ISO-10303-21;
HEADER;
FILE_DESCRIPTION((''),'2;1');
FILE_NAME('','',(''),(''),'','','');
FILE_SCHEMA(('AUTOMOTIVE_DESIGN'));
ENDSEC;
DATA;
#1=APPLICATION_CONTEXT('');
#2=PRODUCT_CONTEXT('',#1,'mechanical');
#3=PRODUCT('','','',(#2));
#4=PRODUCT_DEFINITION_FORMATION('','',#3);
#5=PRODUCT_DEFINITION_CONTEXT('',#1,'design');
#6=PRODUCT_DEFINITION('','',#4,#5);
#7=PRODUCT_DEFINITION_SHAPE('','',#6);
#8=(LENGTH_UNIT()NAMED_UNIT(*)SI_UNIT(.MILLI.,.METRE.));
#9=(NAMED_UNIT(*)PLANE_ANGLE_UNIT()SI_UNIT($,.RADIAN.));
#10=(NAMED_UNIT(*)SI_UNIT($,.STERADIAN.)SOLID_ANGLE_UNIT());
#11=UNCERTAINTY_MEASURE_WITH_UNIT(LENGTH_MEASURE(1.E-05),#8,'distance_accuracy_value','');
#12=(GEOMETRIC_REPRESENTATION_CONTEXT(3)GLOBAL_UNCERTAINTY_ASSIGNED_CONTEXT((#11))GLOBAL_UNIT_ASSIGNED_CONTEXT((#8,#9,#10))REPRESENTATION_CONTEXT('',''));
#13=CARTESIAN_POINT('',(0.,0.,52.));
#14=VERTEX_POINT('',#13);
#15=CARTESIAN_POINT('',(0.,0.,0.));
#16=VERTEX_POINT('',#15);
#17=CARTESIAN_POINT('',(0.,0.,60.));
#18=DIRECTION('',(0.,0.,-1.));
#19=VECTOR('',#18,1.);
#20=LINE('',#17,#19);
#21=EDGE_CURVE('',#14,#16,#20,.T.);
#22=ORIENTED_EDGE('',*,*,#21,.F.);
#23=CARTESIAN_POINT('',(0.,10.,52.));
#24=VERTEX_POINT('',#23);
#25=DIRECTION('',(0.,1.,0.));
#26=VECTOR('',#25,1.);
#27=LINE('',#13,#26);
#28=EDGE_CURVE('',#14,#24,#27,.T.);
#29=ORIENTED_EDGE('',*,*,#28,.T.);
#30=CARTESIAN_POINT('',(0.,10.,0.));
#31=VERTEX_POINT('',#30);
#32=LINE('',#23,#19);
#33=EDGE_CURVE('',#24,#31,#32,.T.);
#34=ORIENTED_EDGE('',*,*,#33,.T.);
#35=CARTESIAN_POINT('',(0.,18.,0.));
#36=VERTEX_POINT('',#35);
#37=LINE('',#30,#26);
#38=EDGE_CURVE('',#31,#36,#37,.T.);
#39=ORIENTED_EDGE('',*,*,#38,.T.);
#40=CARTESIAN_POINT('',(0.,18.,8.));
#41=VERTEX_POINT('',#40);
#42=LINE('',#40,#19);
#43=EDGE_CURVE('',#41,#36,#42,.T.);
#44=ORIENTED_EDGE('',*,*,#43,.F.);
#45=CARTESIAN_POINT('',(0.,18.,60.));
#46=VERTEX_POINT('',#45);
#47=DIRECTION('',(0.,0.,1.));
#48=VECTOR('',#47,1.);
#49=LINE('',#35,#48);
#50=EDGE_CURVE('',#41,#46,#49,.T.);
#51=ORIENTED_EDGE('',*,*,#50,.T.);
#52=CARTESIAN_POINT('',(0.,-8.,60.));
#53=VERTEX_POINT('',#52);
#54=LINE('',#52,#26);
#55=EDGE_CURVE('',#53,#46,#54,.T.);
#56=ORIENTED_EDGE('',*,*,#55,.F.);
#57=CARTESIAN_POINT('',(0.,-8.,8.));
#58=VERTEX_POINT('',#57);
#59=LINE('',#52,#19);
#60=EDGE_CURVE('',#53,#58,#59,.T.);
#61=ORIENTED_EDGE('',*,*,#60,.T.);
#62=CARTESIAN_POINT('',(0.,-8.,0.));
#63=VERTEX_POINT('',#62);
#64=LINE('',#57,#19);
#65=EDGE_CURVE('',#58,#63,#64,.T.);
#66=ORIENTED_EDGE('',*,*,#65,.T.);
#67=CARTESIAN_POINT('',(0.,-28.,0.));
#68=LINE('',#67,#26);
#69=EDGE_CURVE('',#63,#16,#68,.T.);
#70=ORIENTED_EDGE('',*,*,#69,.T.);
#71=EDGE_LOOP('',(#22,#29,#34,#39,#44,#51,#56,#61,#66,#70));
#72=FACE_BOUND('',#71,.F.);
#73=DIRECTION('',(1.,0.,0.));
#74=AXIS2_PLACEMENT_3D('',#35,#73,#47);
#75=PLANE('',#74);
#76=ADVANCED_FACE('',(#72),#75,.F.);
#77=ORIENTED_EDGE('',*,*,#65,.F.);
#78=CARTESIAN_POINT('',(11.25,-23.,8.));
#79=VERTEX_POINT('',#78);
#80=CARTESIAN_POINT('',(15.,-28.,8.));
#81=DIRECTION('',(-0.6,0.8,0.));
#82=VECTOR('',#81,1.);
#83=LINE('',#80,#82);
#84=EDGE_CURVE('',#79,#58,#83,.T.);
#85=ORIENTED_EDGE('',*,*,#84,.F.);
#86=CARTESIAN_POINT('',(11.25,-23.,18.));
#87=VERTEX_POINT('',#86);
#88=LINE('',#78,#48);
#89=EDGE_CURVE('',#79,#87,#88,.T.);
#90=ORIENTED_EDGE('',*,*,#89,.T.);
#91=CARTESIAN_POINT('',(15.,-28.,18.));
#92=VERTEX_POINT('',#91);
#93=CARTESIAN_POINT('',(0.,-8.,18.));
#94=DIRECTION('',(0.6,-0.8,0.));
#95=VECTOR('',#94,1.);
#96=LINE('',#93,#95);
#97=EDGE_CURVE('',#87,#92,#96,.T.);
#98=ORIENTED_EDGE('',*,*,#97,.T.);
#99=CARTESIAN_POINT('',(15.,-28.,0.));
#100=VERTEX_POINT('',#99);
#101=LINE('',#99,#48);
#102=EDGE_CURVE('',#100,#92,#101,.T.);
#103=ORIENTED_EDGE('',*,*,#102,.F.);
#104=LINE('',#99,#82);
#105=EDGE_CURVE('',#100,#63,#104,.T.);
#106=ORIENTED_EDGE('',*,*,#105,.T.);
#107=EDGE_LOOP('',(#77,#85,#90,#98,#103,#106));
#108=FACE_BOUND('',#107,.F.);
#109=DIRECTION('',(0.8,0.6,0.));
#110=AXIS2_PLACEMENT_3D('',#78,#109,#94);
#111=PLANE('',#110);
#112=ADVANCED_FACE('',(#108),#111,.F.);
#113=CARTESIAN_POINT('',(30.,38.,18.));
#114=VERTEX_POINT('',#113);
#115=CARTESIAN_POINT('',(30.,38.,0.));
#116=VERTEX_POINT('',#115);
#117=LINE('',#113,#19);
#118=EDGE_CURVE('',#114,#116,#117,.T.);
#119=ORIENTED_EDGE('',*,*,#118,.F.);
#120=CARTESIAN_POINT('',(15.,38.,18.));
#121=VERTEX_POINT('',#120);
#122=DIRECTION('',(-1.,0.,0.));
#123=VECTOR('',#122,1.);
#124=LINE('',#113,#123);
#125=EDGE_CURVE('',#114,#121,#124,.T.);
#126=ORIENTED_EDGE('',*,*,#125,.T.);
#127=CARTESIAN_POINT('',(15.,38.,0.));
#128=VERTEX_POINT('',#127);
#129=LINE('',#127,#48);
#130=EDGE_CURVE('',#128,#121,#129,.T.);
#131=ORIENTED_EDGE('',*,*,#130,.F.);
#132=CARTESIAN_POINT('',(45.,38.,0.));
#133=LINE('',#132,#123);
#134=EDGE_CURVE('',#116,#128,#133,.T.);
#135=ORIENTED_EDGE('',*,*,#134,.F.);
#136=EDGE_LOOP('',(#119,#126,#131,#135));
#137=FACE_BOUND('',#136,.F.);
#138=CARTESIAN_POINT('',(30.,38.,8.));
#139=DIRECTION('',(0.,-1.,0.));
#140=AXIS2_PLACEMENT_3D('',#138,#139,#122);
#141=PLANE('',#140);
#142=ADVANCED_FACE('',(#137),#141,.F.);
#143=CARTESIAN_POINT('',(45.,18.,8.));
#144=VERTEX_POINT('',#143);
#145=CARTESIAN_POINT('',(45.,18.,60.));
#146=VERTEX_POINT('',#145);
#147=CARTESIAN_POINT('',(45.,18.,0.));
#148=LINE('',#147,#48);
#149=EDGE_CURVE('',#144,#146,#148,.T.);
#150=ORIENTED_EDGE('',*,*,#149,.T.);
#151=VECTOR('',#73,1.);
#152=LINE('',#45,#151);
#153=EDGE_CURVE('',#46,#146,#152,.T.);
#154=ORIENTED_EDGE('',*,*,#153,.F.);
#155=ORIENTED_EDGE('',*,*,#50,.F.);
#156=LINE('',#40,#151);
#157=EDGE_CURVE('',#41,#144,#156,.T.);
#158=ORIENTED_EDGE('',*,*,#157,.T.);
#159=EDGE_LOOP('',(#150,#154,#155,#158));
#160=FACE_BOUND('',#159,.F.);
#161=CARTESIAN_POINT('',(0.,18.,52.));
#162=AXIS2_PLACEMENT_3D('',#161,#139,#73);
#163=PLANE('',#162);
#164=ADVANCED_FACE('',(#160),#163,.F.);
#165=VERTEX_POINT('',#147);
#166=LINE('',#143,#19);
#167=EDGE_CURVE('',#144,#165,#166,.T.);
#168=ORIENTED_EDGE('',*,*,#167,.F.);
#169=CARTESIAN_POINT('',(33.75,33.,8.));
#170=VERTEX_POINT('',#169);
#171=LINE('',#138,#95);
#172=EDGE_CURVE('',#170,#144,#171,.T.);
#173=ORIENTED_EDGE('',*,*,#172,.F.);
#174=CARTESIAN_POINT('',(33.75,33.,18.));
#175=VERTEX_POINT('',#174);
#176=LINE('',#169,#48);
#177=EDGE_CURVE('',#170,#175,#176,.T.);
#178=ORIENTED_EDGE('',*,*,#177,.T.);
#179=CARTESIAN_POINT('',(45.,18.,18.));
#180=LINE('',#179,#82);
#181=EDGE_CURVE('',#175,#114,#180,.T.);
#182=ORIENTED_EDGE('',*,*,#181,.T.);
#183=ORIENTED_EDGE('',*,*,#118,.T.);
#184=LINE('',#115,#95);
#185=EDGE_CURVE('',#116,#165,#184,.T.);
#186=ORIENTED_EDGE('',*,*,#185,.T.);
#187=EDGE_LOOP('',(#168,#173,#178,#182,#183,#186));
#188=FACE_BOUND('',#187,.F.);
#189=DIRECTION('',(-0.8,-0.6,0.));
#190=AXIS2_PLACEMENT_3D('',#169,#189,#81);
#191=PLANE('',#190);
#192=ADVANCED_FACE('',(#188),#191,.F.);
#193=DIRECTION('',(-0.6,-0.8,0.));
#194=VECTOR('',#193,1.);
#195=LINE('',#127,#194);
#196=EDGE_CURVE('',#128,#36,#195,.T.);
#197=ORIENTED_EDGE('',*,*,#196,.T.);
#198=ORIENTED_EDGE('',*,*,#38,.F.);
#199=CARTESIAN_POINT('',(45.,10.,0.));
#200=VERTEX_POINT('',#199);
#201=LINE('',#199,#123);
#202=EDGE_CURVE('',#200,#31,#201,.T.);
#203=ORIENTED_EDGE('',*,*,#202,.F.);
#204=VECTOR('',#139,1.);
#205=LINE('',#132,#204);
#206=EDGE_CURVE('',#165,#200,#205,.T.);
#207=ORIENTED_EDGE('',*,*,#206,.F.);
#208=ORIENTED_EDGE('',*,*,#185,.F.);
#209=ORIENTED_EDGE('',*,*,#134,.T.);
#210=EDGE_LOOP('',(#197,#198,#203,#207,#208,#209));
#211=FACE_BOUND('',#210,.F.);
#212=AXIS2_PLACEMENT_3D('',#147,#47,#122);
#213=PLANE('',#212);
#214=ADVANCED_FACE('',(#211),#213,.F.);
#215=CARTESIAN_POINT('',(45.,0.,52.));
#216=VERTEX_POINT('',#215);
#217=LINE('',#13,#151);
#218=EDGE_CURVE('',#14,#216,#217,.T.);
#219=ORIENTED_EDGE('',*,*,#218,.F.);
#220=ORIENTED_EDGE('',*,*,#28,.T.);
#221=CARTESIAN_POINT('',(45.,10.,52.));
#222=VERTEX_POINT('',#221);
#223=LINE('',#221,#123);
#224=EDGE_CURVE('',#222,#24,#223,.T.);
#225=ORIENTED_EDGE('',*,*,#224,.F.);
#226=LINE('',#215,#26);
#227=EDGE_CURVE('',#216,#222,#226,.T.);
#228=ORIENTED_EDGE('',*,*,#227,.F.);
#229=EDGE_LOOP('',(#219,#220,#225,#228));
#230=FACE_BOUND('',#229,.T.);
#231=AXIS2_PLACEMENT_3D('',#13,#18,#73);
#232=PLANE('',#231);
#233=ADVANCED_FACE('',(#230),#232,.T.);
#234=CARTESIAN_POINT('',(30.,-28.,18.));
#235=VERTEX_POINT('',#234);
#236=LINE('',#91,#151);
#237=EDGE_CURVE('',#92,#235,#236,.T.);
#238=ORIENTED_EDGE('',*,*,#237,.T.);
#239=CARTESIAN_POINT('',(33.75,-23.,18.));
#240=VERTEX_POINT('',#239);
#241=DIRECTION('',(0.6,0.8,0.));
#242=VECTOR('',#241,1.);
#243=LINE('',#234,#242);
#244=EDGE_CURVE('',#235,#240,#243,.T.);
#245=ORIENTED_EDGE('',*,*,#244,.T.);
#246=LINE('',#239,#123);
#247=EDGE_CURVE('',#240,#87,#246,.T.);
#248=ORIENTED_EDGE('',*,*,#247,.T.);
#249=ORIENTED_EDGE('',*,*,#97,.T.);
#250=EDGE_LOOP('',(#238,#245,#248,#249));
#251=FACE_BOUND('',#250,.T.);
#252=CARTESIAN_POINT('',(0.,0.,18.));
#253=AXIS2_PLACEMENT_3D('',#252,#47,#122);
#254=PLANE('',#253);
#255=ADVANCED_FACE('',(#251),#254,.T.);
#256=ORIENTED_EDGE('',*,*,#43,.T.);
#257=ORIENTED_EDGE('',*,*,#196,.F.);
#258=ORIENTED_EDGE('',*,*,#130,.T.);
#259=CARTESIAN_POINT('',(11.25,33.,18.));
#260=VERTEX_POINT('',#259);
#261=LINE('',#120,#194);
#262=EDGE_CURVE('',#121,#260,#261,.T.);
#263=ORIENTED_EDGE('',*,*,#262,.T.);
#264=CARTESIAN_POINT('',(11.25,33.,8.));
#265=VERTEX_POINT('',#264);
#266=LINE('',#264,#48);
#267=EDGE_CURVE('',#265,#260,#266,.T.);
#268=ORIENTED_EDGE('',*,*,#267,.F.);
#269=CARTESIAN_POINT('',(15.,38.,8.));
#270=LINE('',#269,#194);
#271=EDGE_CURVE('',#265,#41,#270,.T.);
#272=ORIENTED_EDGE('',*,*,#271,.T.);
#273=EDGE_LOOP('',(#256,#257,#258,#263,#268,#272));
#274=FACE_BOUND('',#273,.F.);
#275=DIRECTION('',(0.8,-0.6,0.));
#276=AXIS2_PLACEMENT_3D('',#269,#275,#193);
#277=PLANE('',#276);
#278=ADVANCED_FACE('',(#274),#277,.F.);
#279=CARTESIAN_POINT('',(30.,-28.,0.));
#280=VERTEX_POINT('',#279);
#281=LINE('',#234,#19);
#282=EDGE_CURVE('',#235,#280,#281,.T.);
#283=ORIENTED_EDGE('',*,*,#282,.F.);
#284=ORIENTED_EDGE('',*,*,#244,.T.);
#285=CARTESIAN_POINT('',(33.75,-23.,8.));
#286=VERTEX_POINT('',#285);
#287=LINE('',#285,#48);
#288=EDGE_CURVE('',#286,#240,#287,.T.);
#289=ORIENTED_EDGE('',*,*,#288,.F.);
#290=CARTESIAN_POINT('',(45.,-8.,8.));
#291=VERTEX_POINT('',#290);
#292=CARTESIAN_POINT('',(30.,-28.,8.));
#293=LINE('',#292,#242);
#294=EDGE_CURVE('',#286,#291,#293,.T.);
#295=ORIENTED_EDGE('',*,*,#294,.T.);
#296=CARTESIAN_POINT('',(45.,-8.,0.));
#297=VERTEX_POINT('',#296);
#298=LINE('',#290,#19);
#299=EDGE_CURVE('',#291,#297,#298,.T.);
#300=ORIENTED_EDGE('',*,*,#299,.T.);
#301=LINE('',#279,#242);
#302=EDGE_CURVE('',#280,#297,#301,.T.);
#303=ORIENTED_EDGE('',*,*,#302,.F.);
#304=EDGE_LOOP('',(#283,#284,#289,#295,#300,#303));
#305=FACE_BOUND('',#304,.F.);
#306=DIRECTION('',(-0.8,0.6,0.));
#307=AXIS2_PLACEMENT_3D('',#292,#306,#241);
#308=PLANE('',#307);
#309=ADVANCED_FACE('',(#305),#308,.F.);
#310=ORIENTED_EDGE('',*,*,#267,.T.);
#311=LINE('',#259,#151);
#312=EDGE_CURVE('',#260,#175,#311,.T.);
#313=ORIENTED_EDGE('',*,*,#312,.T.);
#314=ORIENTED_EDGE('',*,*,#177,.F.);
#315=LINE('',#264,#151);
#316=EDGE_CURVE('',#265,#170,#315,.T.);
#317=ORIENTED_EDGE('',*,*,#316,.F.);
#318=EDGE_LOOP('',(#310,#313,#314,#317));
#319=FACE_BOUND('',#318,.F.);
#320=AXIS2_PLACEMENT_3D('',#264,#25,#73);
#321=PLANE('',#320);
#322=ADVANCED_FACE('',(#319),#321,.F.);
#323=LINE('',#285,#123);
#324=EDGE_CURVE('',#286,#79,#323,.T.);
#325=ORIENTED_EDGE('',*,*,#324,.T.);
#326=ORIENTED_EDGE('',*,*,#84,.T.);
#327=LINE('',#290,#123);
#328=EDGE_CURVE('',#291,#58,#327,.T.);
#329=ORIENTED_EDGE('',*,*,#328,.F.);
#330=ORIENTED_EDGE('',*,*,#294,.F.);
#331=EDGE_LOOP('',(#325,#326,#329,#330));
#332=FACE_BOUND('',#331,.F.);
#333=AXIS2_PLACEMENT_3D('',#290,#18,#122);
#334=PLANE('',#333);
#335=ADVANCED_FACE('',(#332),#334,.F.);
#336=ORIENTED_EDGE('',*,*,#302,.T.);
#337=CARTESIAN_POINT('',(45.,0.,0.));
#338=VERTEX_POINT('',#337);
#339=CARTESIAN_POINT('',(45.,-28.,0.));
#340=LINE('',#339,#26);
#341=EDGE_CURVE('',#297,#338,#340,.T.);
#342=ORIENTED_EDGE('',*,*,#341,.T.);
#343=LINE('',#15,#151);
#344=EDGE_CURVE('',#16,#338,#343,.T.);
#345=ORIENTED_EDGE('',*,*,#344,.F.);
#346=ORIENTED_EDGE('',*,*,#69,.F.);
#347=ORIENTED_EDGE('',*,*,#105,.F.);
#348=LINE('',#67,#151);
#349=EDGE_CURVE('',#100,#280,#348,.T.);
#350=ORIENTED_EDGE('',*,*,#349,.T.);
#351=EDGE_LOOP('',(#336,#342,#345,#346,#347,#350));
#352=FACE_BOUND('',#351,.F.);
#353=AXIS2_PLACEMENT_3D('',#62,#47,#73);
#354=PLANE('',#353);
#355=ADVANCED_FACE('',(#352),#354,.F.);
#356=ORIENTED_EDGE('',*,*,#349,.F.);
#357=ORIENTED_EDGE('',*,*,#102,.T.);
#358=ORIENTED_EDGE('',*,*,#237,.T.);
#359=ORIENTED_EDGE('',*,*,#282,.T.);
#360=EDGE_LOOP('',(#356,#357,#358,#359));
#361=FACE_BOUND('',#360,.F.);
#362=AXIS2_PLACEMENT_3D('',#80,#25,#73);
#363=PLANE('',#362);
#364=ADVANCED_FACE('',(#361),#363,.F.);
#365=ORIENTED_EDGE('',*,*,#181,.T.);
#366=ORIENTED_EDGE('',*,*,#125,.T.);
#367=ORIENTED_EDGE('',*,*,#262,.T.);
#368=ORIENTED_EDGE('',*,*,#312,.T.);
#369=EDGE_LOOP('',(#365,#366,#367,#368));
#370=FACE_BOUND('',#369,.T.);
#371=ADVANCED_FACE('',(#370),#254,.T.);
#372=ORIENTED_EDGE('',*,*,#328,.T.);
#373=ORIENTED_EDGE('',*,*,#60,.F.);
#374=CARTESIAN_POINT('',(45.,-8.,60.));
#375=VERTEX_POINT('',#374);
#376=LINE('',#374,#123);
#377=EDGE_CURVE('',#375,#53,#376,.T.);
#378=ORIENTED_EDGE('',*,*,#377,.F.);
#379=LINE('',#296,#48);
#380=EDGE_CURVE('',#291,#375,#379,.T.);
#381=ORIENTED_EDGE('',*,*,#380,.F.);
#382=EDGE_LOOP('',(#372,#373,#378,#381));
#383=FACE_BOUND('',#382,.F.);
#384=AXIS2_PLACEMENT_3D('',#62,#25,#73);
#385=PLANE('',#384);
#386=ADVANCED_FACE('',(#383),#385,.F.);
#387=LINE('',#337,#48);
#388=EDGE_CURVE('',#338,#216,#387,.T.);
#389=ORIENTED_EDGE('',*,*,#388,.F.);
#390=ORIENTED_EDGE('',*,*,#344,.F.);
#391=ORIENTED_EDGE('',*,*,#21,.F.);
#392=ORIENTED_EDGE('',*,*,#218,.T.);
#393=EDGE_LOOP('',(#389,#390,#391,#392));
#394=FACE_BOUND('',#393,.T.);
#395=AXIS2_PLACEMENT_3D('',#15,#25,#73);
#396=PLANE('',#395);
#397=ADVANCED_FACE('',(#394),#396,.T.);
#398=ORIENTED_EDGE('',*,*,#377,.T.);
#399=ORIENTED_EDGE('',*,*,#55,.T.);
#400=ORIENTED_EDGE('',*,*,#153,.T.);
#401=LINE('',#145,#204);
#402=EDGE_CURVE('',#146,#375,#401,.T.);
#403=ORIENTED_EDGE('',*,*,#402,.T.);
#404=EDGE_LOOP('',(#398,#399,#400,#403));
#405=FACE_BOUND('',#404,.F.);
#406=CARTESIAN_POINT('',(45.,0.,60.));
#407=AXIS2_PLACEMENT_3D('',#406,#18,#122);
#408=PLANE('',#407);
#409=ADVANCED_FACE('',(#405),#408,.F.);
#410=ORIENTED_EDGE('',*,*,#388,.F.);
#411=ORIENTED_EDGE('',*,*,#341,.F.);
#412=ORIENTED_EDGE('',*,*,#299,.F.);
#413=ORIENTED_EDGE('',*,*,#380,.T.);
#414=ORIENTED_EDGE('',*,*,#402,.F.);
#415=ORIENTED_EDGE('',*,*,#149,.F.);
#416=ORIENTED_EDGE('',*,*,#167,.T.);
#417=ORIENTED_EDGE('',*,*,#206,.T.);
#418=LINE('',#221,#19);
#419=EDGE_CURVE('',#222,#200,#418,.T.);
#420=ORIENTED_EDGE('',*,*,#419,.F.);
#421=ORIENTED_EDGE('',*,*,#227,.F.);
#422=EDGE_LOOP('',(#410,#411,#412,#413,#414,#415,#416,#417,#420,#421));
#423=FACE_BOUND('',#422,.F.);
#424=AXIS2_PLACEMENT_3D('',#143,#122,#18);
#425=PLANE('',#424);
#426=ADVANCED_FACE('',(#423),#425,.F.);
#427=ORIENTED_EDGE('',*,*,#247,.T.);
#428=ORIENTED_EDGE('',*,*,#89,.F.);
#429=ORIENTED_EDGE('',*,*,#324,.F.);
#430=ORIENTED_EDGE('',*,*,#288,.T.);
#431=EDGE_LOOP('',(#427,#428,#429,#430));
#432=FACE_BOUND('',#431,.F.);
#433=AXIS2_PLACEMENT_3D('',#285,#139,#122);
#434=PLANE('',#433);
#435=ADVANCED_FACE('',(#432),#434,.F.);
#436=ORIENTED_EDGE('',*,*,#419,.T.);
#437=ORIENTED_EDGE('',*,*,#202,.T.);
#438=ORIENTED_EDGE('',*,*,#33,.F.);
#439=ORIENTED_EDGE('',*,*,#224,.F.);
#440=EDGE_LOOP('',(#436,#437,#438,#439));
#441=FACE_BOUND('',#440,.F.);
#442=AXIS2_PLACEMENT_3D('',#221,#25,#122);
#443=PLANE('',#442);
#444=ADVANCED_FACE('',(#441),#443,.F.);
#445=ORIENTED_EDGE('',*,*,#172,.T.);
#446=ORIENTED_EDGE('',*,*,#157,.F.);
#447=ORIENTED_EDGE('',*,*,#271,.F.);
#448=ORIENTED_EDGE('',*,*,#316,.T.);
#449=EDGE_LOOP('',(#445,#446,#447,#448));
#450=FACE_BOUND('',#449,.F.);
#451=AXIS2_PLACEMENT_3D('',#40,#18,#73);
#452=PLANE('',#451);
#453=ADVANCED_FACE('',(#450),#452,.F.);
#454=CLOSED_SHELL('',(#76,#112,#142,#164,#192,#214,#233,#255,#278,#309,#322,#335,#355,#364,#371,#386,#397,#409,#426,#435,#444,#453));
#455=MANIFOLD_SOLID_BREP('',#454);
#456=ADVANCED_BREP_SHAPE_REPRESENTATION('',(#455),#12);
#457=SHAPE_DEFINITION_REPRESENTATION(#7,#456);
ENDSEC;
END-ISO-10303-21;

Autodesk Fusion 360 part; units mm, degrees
sketch "Sketch1" plane through (0, 0, 0) normal (0, 1, 0) x (1, 0, 0)
  line L0 (0, 0) -> (45, 0)
  line L1 (45, 0) -> (45, -60)
  line L2 (45, -60) -> (0, -60)
  line L3 (0, -60) -> (0, 0)
  dimension "d9" = 45
  dimension "d10" = 60
extrude "Extrude1" add sketch "Sketch1" against normal blind 8
sketch "Sketch3" plane through (0, 0, 0) normal (0, 1, 0) x (-1, 0, 0)
  line L0 (0, 60) -> (-45, 60)
  line L1 (-45, 60) -> (-45, 0)
  line L2 (-45, 0) -> (0, 0)
  line L3 (0, 0) -> (0, 60)
  line L4 (-45, 60) -> (0, 60)
  line L5 (0, 60) -> (0, 52)
  line L6 (0, 52) -> (-45, 52)
  line L7 (-45, 52) -> (-45, 60)
  dimension "d13" = 45
  dimension "d14" = 8
extrude "Extrude2" add sketch "Sketch3" along normal blind 18 contours L0 L1 L3 L4 L5 L6 L7
sketch "Sketch4" plane through (0, 0, 52) normal (0, 0, -1) x (1, 0, 0)
  line L0 (45, 0) -> (0, 0)
  line L1 (0, 0) -> (0, -18)
  line L2 (0, -18) -> (45, -18)
  line L3 (45, -18) -> (45, 0)
  line L4 (0, -18) -> (45, -18)
  line L5 (45, -18) -> (45, -10)
  line L6 (45, -10) -> (0, -10)
  line L7 (0, -10) -> (0, -18)
  dimension "d17" = 45
  dimension "d18" = 8
extrude "Extrude3" add sketch "Sketch4" along normal blind 52 contours L1 L2 L3 L4 L5 L6 L7
sketch "Sketch5" plane through (0, -8, 0) normal (0, -1, 0) x (1, 0, 0)
  line L0 (45, 60) -> (0, 60)
  line L1 (0, 60) -> (0, 0)
  line L2 (0, 0) -> (45, 0)
  line L3 (45, 0) -> (45, 60)
  line L4 (0, 0) -> (45, 0)
  line L5 (45, 0) -> (45, 8)
  line L6 (45, 8) -> (0, 8)
  line L7 (0, 8) -> (0, 0)
  dimension "d21" = 45
  dimension "d22" = 8
extrude "Extrude4" add sketch "Sketch5" along normal blind 20 contours L1 L2 L3 L4 L5 L6 L7
sketch "Sketch6" plane through (0, 0, 8) normal (0, 0, 1) x (-1, 0, 0)
  line L0 (-45, 8) -> (0, 8)
  line L1 (0, 8) -> (0, 28)
  line L2 (0, 28) -> (-45, 28)
  line L3 (-45, 28) -> (-45, 8)
  line L4 (-22.5, 28) -> (-30, 28)
  line L5 (-22.5, 28) -> (-15, 28)
  line L6 (-30, 28) -> (-45, 8)
  line L7 (-15, 28) -> (0, 8)
  dimension "d25" = 7.5
  dimension "d26" = 7.5
extrude "Extrude5" cut sketch "Sketch6" against normal blind 8 contours L2 L3 L6 | L1 L2 L7
sketch "Sketch7" plane through (0, 0, 8) normal (0, 0, 1) x (-1, 0, 0)
  line L0 (0, 8) -> (-15, 28)
  line L1 (-15, 28) -> (-30, 28)
  line L2 (-30, 28) -> (-45, 8)
  line L3 (-45, 8) -> (0, 8)
  line L4 (-15, 28) -> (-30, 28)
  line L5 (-30, 28) -> (-33.75, 23)
  line L6 (-33.75, 23) -> (-11.25, 23)
  line L7 (-11.25, 23) -> (-15, 28)
  dimension "d29" = 15
  dimension "d30" = 5
extrude "Extrude6" add sketch "Sketch7" along normal blind 10 contours L0 L1 L2 L4 L5 L6 L7
sketch "Sketch8" plane through (0, 18, 0) normal (0, 1, 0) x (-1, 0, 0)
  line L0 (0, 0) -> (0, 60)
  line L1 (0, 60) -> (-45, 60)
  line L2 (-45, 60) -> (-45, 0)
  line L3 (-45, 0) -> (0, 0)
  line L4 (-45, 0) -> (0, 0)
  line L5 (0, 0) -> (0, 8)
  line L6 (0, 8) -> (-45, 8)
  line L7 (-45, 8) -> (-45, 0)
  dimension "d33" = 45
  dimension "d34" = 8
extrude "Extrude7" add sketch "Sketch8" along normal blind 20 contours L0 L2 L3 L4 L5 L6 L7
sketch "Sketch9" plane through (0, 0, 8) normal (0, 0, 1) x (-1, 0, 0)
  line L0 (0, -18) -> (-45, -18)
  line L1 (-45, -18) -> (-45, -38)
  line L2 (-45, -38) -> (0, -38)
  line L3 (0, -38) -> (0, -18)
  line L4 (-22.5, -38) -> (-30, -38)
  line L5 (-22.5, -38) -> (-15, -38)
  line L6 (-15, -38) -> (0, -18)
  line L7 (-30, -38) -> (-45, -18)
  dimension "d37" = 7.5
  dimension "d38" = 7.5
extrude "Extrude8" cut sketch "Sketch9" against normal blind 8 contours L2 L3 L6 | L1 L2 L7
sketch "Sketch10" plane through (0, 0, 8) normal (0, 0, 1) x (-1, 0, 0)
  line L0 (-15, -38) -> (0, -18)
  line L1 (0, -18) -> (-45, -18)
  line L2 (-45, -18) -> (-30, -38)
  line L3 (-30, -38) -> (-15, -38)
  line L4 (-15, -38) -> (-11.25, -33)
  line L5 (-15, -38) -> (-30, -38)
  line L6 (-30, -38) -> (-33.75, -33)
  line L7 (-11.25, -33) -> (-33.75, -33)
  dimension "d41" = 5
extrude "Extrude9" add sketch "Sketch10" along normal blind 10 contours L0 L2 L3 L4 L5 L6 L7
equation "haed = 60 mm"
equation "pinni_breidd = 15 mm"
equation "thykkt = 8 mm"
equation "haed_pinni = 10 mm"
equation "flotur = 20 mm"
equation "breidd = 3 * pinni_breidd"
equation "bil = 10 mm"
equation "pinni_lengd = 5 mm"
equation "d9 = breidd"
equation "d10 = haed"
equation "d11 = -thykkt"
equation "d13 = breidd"
equation "d14 = thykkt"
equation "d15 = bil + thykkt"
equation "d17 = breidd"
equation "d18 = thykkt"
equation "d19 = haed - thykkt"
equation "d21 = breidd"
equation "d22 = thykkt"
equation "d23 = flotur"
equation "d25 = pinni_breidd / 2"
equation "d26 = pinni_breidd / 2"
equation "d27 = -thykkt"
equation "d30 = pinni_lengd"
equation "d31 = haed_pinni"
equation "d33 = breidd"
equation "d34 = thykkt"
equation "d35 = flotur"
equation "d37 = pinni_breidd / 2"
equation "d38 = pinni_breidd / 2"
equation "d39 = -thykkt"
equation "d41 = pinni_lengd"
equation "d42 = haed_pinni"
